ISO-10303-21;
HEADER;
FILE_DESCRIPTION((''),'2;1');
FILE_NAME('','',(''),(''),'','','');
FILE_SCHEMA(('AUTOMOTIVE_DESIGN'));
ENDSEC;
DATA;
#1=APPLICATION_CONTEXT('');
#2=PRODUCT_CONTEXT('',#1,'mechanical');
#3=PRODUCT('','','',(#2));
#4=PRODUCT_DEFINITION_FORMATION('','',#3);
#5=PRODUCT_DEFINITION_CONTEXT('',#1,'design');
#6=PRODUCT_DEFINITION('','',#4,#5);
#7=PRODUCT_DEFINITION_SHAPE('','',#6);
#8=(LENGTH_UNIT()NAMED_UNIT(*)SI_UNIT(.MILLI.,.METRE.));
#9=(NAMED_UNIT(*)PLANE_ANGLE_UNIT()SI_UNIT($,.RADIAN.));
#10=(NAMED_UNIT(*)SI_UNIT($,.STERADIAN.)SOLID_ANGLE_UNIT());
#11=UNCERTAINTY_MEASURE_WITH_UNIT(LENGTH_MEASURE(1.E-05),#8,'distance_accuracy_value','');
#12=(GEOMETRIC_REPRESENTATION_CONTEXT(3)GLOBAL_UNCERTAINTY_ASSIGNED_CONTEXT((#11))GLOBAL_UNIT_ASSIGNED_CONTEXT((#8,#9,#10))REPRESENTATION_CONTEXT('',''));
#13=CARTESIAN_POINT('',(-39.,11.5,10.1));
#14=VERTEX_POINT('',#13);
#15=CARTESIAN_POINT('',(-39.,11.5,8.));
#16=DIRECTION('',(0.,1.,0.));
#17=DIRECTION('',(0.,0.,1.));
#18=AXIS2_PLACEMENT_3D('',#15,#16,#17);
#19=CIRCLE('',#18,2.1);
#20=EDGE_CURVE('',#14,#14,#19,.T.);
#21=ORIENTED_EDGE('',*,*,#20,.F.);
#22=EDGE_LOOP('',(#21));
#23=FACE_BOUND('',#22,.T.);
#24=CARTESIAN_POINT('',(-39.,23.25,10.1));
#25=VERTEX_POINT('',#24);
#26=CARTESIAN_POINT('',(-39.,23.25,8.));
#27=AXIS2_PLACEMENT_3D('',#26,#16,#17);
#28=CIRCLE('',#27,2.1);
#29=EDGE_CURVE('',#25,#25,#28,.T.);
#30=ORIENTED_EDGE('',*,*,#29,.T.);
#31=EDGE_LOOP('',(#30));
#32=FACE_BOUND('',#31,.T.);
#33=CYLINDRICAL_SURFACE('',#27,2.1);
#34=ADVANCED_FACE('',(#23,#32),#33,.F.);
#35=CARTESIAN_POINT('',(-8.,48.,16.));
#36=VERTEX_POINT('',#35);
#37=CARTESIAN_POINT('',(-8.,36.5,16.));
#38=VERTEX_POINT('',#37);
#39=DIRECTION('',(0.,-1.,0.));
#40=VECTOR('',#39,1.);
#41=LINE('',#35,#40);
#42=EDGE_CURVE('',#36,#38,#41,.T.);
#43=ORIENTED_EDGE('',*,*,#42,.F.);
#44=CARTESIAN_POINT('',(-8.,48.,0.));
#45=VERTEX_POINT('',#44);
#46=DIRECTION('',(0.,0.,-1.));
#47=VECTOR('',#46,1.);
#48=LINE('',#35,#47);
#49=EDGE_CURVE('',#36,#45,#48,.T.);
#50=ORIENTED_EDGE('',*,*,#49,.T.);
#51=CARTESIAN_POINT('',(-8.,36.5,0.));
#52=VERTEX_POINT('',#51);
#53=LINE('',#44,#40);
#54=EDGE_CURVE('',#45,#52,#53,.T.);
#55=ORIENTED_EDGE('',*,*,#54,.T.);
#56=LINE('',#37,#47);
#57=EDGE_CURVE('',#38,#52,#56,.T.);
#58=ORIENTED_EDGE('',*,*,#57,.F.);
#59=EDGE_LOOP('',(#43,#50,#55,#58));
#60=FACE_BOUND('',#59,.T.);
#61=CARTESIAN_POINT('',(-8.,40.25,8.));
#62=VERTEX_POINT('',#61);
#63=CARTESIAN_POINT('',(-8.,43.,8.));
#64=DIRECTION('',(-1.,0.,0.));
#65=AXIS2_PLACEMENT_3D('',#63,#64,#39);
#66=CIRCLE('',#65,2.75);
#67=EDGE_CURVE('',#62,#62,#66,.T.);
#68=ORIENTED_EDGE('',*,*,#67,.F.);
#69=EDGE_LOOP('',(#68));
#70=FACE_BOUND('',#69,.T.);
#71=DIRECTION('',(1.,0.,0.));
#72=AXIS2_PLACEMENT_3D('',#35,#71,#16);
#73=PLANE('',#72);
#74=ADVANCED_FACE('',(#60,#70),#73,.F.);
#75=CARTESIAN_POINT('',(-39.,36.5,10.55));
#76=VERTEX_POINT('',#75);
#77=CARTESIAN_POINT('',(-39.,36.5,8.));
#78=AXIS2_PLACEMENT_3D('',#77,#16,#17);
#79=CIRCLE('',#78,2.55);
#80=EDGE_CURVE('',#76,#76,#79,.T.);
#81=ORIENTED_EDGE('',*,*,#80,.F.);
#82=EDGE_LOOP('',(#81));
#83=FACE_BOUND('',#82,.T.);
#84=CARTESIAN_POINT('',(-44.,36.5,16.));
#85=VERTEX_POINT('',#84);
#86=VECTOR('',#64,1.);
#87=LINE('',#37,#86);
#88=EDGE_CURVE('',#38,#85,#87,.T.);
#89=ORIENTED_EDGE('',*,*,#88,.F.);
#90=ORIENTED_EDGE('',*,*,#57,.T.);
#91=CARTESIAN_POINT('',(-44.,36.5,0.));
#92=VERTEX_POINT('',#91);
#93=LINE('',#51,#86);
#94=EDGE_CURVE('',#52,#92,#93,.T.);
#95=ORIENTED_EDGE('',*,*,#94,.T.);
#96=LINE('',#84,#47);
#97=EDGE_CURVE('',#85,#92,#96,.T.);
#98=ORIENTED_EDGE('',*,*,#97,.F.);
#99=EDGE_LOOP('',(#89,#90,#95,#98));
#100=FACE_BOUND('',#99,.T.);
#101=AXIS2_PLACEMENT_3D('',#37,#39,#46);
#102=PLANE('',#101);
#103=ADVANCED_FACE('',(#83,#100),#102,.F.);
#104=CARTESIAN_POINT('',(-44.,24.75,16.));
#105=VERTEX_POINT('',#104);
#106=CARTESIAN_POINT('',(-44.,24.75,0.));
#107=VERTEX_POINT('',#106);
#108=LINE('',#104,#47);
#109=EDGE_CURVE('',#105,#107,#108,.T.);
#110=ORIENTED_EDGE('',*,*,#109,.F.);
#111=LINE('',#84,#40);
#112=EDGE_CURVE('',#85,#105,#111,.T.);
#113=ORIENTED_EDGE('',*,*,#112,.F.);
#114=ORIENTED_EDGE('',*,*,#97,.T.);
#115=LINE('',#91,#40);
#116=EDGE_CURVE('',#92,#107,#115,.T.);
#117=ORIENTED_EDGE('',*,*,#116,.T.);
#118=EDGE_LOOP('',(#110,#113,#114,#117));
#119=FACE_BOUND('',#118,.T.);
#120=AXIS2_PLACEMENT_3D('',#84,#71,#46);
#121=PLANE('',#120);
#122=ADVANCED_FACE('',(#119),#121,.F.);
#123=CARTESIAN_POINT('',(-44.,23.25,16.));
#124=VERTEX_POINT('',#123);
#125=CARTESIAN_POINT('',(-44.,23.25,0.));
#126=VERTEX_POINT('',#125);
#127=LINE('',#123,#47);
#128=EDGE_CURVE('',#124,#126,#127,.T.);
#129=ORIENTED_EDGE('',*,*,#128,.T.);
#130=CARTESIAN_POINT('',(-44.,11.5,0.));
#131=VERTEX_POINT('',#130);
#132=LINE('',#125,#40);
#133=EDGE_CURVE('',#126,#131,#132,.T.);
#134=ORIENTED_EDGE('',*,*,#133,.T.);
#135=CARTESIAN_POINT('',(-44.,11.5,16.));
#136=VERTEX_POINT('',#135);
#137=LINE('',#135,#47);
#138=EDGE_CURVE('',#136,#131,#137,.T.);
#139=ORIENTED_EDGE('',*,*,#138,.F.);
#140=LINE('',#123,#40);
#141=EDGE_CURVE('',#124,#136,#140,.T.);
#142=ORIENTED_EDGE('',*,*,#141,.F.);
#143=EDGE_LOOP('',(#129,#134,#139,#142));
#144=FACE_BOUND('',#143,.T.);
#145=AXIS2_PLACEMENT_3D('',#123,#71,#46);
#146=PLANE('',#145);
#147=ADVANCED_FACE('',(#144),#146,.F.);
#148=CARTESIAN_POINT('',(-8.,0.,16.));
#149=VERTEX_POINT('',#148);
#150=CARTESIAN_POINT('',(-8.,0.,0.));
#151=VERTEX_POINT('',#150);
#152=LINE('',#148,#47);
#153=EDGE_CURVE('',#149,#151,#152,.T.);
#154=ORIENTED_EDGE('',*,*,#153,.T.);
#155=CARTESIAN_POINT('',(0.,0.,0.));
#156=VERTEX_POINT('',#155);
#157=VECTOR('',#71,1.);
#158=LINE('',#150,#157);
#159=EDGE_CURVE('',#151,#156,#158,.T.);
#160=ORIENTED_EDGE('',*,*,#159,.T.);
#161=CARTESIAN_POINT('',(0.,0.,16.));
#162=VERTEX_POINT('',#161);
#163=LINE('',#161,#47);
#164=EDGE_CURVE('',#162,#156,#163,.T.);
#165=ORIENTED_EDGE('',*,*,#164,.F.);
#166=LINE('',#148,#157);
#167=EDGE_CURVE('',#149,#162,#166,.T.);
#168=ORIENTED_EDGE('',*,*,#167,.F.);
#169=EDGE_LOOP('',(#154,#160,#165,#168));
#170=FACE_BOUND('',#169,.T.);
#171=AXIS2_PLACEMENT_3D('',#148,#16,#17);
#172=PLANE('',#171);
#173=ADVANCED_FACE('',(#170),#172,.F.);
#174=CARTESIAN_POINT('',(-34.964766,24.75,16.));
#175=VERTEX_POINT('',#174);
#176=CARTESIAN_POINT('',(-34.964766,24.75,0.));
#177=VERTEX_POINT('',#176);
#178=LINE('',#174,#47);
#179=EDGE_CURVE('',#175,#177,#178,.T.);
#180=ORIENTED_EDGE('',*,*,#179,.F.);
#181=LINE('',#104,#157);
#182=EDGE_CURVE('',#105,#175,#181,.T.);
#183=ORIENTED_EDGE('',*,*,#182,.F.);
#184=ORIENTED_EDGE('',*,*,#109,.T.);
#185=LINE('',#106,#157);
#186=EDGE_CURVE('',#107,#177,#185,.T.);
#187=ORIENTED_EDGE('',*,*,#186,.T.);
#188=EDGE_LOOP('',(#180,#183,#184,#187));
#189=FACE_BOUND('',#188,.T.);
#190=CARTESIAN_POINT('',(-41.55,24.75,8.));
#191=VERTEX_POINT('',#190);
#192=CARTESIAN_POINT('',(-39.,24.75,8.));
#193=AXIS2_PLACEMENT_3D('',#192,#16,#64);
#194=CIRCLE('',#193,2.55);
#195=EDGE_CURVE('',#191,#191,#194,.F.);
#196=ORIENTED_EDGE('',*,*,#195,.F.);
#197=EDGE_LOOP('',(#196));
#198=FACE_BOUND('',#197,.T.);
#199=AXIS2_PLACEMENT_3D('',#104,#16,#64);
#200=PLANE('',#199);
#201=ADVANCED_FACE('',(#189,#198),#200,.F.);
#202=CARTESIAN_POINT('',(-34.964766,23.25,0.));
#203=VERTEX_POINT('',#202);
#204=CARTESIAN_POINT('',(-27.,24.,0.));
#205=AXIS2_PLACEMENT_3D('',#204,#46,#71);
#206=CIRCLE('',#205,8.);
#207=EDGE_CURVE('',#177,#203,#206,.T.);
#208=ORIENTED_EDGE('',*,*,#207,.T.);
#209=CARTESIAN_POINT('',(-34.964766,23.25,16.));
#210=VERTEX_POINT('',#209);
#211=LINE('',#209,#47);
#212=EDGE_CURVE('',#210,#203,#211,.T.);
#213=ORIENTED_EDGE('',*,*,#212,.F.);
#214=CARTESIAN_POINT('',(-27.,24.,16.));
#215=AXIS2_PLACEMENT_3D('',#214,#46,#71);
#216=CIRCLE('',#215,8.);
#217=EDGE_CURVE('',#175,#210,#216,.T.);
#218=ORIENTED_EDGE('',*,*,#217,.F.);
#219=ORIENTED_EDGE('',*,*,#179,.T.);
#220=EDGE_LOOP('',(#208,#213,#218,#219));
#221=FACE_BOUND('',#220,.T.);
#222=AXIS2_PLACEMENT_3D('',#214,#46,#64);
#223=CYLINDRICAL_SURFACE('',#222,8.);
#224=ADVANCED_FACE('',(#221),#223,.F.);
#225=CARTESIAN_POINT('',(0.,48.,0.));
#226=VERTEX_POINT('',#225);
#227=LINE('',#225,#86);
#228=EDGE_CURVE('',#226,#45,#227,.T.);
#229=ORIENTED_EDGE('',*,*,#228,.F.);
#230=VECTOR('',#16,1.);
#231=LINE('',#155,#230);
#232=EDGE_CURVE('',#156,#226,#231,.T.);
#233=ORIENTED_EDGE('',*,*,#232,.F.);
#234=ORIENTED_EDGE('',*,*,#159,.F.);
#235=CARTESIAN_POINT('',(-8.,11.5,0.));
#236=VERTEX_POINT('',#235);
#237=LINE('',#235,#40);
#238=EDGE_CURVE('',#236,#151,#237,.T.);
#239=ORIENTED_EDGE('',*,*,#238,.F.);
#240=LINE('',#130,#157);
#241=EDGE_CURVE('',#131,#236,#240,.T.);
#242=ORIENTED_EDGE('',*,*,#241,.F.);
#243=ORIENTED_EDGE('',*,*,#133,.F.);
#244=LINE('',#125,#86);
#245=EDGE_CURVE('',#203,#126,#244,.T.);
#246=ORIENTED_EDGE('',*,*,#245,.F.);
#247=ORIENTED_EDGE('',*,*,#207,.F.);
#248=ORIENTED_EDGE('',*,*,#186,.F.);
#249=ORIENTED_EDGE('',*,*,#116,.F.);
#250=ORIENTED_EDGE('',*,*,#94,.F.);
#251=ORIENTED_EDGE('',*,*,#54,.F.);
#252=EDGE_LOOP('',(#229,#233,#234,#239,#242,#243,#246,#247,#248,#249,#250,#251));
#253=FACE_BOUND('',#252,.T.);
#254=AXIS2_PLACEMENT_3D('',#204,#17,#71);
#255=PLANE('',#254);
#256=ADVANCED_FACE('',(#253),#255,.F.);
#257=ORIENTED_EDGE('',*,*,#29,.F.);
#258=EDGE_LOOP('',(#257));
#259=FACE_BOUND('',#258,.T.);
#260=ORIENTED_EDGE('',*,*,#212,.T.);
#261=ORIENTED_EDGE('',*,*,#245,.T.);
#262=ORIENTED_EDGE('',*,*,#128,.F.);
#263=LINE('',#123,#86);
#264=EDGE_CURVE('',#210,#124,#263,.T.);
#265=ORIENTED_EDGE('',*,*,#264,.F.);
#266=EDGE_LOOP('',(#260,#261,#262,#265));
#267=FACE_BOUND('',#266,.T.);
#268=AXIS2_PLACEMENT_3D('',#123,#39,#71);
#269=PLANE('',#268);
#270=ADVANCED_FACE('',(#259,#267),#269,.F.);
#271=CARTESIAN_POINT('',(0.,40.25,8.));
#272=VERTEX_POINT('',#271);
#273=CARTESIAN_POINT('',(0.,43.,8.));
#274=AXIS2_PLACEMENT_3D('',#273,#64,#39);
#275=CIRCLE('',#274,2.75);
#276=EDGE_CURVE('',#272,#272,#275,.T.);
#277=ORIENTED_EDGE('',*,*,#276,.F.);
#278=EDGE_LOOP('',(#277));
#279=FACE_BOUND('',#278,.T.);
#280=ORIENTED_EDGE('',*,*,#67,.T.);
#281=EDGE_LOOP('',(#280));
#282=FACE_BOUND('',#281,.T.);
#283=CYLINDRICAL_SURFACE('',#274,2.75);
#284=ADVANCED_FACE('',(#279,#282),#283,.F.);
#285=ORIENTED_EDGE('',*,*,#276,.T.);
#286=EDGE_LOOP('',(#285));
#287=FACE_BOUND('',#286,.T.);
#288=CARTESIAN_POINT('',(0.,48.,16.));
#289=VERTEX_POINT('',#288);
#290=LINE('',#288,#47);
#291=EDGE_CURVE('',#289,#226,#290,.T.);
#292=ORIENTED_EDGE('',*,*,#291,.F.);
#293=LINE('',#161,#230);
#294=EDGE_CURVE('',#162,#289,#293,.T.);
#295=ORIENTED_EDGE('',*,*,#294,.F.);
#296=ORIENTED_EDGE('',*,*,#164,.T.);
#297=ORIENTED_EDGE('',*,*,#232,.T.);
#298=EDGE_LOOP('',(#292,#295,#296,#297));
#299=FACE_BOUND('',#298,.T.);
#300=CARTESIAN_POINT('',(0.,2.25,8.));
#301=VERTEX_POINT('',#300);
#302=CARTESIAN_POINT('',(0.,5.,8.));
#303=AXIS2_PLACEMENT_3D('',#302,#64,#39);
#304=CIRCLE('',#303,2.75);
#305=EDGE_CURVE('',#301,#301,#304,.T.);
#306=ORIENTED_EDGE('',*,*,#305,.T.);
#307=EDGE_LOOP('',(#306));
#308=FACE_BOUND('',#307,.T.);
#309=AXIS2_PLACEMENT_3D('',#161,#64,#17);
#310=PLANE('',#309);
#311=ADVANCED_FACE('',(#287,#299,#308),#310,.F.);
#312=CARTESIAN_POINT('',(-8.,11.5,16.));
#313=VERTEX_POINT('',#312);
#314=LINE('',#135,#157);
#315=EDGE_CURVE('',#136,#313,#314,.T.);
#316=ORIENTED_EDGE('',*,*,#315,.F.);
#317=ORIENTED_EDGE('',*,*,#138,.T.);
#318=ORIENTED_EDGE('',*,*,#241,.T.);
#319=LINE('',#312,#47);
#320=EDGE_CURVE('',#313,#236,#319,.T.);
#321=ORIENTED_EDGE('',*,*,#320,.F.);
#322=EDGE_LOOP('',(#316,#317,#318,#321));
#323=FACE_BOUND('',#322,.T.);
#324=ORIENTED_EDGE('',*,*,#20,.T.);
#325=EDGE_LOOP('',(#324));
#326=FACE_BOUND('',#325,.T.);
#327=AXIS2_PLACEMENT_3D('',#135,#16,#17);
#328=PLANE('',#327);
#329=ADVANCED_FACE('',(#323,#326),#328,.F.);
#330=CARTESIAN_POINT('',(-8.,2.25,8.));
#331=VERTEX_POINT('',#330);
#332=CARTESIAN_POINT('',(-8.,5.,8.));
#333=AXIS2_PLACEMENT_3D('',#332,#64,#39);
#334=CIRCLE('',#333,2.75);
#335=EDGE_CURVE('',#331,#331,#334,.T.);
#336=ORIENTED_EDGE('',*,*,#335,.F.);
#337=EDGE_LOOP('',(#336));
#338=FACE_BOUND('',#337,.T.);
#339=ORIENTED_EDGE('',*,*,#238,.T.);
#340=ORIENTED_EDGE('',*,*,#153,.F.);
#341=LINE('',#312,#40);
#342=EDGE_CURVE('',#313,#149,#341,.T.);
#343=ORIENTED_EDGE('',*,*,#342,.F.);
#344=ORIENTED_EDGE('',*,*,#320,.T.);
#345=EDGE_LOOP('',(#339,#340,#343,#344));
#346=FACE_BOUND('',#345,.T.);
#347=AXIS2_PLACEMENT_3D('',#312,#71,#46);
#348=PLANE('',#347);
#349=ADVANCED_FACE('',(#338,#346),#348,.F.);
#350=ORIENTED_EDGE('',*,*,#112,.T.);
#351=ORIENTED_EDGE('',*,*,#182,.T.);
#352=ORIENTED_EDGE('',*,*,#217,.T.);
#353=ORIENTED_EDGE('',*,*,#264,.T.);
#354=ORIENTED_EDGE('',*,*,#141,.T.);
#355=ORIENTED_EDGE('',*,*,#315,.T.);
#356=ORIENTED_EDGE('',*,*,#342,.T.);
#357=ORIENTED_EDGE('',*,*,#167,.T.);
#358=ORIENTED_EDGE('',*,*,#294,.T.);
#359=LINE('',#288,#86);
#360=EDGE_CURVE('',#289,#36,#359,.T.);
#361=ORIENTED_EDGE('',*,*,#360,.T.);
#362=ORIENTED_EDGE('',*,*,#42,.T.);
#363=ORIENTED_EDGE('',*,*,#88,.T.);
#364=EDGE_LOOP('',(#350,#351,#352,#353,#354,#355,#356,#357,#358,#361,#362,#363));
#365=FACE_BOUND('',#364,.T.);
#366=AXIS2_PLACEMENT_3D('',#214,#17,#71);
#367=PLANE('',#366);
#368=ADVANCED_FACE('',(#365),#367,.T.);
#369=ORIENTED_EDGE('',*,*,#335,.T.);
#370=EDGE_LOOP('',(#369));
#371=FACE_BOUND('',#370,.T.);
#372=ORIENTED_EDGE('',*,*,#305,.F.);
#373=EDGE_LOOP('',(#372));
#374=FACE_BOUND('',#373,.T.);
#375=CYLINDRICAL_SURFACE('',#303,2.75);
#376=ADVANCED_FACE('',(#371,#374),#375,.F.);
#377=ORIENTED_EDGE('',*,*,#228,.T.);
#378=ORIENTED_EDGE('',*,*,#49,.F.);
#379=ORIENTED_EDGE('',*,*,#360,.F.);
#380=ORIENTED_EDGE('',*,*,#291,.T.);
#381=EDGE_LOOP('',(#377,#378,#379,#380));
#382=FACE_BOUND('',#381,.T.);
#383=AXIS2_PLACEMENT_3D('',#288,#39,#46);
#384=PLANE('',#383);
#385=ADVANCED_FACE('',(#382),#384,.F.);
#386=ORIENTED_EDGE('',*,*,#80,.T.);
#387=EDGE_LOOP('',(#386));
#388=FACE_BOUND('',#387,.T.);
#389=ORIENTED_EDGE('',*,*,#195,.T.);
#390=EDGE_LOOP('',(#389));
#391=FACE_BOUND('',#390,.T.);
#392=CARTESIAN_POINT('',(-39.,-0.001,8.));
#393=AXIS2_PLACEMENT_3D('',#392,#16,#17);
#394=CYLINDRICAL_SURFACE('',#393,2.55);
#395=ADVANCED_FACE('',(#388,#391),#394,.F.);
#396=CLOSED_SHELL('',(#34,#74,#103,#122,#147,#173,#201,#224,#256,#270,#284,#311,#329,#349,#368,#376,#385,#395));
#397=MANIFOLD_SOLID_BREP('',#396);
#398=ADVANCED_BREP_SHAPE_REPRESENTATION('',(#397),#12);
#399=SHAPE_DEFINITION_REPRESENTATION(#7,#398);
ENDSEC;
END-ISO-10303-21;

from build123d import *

# Parameters (mm, degrees)
EXTRUS_O1_DEPTH               = 16
EXTRUS_O2_REACH               = 61.365
ESBO_O2_R                     = 2.55
FURO_ROSCADO_DE_M5X0_82_D     = 4.2
FURO_ROSCADO_DE_M5X0_82_DEPTH = 14
FURO_ROSCADO_DE_M5X0_82_TIP   = 1.2618073
ESBO_O5_R                     = 2.75
EXTRUS_O3_DEPTH               = 63.096698785


with BuildPart() as part:
    # Esboço1 → Extrusão1 (new body)
    with BuildSketch(Plane.XY):
        with BuildLine():
            Line((0, 0), (0, 48))
            Line((0, 48), (-8, 48))
            Line((-8, 48), (-8, 36.5))
            Line((-8, 36.5), (-44, 36.5))
            Line((-44, 36.5), (-44, 24.75))
            Line((-44, 24.75), (-34.964766161, 24.75))
            ThreePointArc((-34.964766161, 24.75), (-19, 24), (-34.964766161, 23.25))
            Line((-34.964766161, 23.25), (-44, 23.25))
            Line((-44, 23.25), (-44, 11.5))
            Line((-44, 11.5), (-8, 11.5))
            Line((-8, 11.5), (-8, 0))
            Line((-8, 0), (0, 0))
        make_face()
    extrude(amount=EXTRUS_O1_DEPTH)

    # Esboço2 → Extrusão2 (cut, up to next)
    with BuildSketch(Plane(origin=(0, 36.5, 0), x_dir=(1, 0, 0), z_dir=(0, 1, 0)), mode=Mode.PRIVATE) as extrus_o2_sk1:
        with Locations(Location((-39, -8, 0), (0, 0, 270))):
            Circle(ESBO_O2_R)
    extrus_o2_tool1 = extrude(extrus_o2_sk1.sketch, amount=-EXTRUS_O2_REACH, mode=Mode.PRIVATE) & part.part
    add(extrus_o2_tool1.solids().sort_by_distance((-39, 36.5, 8))[0], mode=Mode.SUBTRACT)

    # Furo roscado de M5x0.82
    with Locations(Plane(origin=(-39, 23.25, 8), x_dir=(1, 0, 0), z_dir=(0, 1, 0))):
        with Locations((0, 0)):
            Hole(FURO_ROSCADO_DE_M5X0_82_D / 2, depth=FURO_ROSCADO_DE_M5X0_82_DEPTH)
            with Locations((0, 0, -(FURO_ROSCADO_DE_M5X0_82_DEPTH + FURO_ROSCADO_DE_M5X0_82_TIP / 2))):  # 118° drill point
                Cone(0, FURO_ROSCADO_DE_M5X0_82_D / 2, FURO_ROSCADO_DE_M5X0_82_TIP, mode=Mode.SUBTRACT)

    # Esboço5 → Extrusão3 (cut, through all)
    with BuildSketch(Plane.ZY.offset(8)):
        with Locations(Location((8, 43, 0), (0, 0, 270))):
            Circle(ESBO_O5_R)
        with Locations(Location((8, 5, 0), (0, 0, 270))):
            Circle(ESBO_O5_R)
    extrude(amount=-EXTRUS_O3_DEPTH, mode=Mode.SUBTRACT)


solid = part.part
